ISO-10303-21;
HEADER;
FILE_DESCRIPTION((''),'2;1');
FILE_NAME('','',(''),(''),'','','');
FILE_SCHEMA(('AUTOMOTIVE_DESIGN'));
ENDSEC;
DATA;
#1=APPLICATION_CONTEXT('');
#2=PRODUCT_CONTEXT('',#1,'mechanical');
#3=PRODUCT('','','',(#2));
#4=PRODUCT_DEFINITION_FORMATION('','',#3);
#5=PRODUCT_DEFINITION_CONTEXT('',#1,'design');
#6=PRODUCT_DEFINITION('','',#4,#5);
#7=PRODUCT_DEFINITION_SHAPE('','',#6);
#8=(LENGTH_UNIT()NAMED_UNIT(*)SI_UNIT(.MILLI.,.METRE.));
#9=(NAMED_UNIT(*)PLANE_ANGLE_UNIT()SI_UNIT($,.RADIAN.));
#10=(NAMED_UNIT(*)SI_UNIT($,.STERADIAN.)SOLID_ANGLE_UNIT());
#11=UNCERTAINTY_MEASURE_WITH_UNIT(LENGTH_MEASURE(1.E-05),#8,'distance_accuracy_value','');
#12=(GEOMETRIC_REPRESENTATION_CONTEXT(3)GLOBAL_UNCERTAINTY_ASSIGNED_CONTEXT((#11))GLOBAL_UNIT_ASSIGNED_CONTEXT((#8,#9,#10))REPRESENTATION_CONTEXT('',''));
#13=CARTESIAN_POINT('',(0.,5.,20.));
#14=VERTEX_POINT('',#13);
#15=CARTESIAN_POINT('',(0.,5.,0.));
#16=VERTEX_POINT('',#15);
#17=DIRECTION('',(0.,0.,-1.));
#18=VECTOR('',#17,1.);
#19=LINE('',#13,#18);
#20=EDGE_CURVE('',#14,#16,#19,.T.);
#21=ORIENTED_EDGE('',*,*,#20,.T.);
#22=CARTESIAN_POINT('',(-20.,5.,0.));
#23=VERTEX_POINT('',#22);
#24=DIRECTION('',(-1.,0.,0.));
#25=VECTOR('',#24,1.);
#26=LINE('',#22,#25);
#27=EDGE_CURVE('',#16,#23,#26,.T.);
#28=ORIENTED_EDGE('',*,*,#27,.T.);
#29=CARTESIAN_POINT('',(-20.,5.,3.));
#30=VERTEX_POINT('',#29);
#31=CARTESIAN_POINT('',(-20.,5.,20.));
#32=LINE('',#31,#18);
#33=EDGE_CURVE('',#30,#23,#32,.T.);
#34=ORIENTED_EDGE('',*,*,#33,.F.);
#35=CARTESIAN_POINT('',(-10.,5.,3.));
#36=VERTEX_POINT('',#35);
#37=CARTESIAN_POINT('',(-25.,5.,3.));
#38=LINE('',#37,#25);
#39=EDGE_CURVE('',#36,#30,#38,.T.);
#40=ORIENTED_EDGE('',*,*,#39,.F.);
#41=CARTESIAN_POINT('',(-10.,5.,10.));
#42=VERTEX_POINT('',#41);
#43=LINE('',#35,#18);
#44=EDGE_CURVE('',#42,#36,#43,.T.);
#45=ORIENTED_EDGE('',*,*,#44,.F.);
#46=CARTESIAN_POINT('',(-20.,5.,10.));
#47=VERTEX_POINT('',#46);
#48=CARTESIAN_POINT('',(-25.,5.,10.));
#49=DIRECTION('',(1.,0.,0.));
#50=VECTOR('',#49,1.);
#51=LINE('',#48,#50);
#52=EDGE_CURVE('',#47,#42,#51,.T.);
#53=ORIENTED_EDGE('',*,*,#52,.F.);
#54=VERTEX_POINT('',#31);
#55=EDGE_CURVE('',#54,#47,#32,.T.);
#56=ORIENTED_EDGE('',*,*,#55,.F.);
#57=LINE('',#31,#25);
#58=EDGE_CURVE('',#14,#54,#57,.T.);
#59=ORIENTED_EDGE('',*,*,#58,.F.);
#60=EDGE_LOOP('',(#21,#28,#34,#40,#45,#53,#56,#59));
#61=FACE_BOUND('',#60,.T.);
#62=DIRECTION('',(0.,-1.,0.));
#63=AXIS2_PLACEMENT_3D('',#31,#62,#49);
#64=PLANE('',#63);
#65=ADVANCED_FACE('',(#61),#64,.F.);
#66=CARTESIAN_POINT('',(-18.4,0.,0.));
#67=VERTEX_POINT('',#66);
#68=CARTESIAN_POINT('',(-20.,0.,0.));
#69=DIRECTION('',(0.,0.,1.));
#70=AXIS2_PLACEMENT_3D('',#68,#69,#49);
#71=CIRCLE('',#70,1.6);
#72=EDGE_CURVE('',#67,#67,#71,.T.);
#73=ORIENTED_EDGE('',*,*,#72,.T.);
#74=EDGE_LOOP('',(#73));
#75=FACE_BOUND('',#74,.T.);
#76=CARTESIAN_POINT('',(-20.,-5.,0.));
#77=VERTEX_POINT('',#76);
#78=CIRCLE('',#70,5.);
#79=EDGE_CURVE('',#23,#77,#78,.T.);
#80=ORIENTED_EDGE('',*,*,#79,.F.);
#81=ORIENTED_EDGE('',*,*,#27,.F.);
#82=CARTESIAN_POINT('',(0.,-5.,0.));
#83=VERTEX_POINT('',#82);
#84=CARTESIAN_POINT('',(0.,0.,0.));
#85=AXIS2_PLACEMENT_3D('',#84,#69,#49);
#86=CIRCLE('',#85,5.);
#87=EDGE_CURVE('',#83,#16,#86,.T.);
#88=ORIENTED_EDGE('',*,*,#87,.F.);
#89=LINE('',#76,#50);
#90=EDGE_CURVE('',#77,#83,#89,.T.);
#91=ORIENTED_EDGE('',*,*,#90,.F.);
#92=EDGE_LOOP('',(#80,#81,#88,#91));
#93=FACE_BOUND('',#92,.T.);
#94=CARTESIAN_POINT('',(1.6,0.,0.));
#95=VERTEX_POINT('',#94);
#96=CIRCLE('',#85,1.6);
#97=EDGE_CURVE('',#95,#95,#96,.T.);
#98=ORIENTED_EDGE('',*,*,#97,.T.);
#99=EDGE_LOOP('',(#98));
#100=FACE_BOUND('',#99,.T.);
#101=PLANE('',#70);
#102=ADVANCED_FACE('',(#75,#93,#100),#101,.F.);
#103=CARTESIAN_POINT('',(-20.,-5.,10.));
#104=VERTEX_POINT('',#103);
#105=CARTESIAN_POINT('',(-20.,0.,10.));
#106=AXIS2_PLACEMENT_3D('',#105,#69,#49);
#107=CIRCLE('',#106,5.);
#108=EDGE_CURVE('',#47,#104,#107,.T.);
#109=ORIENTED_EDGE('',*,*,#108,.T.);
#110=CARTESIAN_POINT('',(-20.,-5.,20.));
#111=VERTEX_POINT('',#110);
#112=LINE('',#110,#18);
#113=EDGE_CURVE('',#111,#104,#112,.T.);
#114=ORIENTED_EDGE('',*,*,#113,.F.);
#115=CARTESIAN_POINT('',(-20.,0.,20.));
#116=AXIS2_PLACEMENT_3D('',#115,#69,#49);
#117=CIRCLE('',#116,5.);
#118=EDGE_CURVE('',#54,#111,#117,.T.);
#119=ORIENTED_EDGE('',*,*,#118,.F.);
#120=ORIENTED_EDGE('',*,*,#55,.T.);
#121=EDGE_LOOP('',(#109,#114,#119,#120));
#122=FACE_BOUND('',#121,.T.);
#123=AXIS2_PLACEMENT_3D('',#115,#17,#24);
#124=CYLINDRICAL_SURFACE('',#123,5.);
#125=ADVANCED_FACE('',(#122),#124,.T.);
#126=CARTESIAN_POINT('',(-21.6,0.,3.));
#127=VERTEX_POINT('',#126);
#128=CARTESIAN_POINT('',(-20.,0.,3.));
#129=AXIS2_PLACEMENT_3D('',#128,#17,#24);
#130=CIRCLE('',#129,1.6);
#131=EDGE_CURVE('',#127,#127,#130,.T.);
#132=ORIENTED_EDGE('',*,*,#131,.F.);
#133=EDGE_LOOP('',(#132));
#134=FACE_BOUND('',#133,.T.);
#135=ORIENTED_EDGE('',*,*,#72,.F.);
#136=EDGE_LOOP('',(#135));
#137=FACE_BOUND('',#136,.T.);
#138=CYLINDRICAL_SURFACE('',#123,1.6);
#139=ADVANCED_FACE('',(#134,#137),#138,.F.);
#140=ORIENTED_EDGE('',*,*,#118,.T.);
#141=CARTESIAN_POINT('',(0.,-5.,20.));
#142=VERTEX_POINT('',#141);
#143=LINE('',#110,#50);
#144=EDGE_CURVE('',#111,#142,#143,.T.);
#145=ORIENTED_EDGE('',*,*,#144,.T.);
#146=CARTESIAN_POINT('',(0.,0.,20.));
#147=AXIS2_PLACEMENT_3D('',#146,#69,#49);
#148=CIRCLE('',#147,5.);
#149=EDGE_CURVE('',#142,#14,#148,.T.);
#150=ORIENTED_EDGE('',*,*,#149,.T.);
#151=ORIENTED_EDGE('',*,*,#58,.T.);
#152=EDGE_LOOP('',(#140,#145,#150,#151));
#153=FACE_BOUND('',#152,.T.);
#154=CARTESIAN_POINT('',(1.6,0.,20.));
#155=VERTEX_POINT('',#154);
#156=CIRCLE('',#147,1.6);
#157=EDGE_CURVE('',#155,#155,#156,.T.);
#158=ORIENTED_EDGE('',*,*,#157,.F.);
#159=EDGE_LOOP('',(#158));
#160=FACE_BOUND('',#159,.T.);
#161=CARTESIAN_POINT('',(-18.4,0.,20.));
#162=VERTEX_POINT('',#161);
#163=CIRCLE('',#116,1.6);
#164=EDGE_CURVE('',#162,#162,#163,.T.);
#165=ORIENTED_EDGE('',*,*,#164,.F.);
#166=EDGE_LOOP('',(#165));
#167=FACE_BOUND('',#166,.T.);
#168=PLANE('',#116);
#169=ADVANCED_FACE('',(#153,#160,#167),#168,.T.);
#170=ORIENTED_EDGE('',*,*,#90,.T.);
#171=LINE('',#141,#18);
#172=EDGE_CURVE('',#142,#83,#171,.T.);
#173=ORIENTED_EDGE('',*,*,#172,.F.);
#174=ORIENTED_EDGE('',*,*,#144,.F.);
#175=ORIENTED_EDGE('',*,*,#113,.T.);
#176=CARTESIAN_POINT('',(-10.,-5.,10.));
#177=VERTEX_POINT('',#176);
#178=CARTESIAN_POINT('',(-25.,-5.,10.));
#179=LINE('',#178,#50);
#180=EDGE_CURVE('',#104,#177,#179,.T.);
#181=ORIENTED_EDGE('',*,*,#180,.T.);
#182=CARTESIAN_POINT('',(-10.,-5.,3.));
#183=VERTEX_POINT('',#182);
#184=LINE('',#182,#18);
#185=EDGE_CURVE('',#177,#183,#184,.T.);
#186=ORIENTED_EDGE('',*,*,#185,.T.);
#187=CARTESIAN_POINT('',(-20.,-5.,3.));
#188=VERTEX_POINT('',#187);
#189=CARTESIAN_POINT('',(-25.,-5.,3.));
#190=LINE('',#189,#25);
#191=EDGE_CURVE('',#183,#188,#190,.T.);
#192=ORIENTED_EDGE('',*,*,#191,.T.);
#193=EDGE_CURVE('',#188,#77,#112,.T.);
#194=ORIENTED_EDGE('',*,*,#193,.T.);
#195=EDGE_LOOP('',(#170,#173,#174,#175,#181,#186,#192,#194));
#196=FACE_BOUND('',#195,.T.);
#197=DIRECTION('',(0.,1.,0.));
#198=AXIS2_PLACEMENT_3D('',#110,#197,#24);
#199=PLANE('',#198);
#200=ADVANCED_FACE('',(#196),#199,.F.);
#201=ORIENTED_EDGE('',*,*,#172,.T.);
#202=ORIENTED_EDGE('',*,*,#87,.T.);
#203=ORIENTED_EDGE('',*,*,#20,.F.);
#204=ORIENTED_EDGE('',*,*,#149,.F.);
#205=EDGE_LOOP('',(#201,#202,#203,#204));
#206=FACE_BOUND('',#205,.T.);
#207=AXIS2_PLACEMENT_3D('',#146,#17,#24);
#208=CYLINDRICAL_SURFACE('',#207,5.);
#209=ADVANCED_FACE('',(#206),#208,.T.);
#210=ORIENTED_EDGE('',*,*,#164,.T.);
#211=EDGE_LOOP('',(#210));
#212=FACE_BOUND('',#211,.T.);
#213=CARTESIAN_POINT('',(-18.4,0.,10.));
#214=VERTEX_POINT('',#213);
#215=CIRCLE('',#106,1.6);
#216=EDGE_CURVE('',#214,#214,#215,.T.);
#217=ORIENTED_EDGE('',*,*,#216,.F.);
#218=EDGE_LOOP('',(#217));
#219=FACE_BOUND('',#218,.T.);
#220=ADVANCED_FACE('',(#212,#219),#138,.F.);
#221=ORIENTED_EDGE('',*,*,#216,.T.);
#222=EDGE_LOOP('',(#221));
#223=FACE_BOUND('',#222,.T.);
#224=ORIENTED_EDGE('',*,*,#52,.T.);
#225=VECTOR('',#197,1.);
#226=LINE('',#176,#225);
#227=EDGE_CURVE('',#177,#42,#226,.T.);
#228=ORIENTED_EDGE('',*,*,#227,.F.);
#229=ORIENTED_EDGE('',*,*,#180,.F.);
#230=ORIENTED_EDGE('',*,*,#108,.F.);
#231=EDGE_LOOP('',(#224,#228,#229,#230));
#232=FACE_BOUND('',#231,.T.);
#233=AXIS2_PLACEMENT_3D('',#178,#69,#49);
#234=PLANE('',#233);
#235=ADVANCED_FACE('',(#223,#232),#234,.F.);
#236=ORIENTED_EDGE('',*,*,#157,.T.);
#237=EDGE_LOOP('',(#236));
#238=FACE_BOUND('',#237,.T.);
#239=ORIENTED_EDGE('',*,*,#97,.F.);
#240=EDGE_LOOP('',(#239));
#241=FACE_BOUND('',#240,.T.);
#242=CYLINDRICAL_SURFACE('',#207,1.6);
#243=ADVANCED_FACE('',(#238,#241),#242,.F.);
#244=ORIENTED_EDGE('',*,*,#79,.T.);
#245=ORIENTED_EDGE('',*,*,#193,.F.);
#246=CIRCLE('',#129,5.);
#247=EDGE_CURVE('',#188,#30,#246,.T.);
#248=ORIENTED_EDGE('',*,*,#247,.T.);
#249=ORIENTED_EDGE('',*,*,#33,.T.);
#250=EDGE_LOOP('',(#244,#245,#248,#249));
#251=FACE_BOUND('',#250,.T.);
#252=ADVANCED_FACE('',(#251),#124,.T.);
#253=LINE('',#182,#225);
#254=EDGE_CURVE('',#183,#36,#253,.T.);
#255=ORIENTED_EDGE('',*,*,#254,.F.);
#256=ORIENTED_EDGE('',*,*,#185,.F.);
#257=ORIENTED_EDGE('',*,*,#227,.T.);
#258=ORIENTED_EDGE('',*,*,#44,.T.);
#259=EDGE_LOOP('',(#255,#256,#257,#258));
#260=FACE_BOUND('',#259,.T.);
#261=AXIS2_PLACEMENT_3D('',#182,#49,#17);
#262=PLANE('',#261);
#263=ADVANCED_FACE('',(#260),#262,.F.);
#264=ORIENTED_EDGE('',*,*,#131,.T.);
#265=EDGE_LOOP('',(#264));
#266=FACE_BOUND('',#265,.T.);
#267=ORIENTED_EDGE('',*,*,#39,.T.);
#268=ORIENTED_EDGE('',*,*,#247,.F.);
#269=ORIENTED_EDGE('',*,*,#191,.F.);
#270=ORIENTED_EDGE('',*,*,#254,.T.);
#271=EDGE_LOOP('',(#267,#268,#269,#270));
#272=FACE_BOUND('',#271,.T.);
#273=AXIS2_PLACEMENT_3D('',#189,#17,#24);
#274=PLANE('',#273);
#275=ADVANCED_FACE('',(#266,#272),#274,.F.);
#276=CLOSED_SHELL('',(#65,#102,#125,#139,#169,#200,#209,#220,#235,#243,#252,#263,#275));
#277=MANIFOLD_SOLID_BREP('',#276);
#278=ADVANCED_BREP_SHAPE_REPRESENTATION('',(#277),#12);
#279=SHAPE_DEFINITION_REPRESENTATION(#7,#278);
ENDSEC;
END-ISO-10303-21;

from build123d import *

# Parameters (mm, degrees)
SKETCH1_R           = 1.6
BOSS_EXTRUDE1_DEPTH = 20
SKETCH2_W           = 15
SKETCH2_H           = 7
CUT_EXTRUDE1_DEPTH  = 34.541019662


with BuildPart() as part:
    # Sketch1 → Boss-Extrude1 (new body)
    with BuildSketch(Plane.XY):
        with BuildLine():
            Line((-20, 5), (0, 5))
            ThreePointArc((0, 5), (5, 0), (0, -5))
            Line((0, -5), (-20, -5))
            ThreePointArc((-20, -5), (-25, 0), (-20, 5))
        make_face()
        with Locations((-20, 0)):
            Circle(SKETCH1_R, mode=Mode.SUBTRACT)
        Circle(SKETCH1_R, mode=Mode.SUBTRACT)
    extrude(amount=BOSS_EXTRUDE1_DEPTH)

    # Sketch2 → Cut-Extrude1 (cut, through all)
    with BuildSketch(Plane(origin=(0, 5, 0), x_dir=(1, 0, 0), z_dir=(0, 1, 0))):
        with Locations((-17.5, -6.5)):
            Rectangle(SKETCH2_W, SKETCH2_H)
    extrude(amount=-CUT_EXTRUDE1_DEPTH, mode=Mode.SUBTRACT)


solid = part.part
